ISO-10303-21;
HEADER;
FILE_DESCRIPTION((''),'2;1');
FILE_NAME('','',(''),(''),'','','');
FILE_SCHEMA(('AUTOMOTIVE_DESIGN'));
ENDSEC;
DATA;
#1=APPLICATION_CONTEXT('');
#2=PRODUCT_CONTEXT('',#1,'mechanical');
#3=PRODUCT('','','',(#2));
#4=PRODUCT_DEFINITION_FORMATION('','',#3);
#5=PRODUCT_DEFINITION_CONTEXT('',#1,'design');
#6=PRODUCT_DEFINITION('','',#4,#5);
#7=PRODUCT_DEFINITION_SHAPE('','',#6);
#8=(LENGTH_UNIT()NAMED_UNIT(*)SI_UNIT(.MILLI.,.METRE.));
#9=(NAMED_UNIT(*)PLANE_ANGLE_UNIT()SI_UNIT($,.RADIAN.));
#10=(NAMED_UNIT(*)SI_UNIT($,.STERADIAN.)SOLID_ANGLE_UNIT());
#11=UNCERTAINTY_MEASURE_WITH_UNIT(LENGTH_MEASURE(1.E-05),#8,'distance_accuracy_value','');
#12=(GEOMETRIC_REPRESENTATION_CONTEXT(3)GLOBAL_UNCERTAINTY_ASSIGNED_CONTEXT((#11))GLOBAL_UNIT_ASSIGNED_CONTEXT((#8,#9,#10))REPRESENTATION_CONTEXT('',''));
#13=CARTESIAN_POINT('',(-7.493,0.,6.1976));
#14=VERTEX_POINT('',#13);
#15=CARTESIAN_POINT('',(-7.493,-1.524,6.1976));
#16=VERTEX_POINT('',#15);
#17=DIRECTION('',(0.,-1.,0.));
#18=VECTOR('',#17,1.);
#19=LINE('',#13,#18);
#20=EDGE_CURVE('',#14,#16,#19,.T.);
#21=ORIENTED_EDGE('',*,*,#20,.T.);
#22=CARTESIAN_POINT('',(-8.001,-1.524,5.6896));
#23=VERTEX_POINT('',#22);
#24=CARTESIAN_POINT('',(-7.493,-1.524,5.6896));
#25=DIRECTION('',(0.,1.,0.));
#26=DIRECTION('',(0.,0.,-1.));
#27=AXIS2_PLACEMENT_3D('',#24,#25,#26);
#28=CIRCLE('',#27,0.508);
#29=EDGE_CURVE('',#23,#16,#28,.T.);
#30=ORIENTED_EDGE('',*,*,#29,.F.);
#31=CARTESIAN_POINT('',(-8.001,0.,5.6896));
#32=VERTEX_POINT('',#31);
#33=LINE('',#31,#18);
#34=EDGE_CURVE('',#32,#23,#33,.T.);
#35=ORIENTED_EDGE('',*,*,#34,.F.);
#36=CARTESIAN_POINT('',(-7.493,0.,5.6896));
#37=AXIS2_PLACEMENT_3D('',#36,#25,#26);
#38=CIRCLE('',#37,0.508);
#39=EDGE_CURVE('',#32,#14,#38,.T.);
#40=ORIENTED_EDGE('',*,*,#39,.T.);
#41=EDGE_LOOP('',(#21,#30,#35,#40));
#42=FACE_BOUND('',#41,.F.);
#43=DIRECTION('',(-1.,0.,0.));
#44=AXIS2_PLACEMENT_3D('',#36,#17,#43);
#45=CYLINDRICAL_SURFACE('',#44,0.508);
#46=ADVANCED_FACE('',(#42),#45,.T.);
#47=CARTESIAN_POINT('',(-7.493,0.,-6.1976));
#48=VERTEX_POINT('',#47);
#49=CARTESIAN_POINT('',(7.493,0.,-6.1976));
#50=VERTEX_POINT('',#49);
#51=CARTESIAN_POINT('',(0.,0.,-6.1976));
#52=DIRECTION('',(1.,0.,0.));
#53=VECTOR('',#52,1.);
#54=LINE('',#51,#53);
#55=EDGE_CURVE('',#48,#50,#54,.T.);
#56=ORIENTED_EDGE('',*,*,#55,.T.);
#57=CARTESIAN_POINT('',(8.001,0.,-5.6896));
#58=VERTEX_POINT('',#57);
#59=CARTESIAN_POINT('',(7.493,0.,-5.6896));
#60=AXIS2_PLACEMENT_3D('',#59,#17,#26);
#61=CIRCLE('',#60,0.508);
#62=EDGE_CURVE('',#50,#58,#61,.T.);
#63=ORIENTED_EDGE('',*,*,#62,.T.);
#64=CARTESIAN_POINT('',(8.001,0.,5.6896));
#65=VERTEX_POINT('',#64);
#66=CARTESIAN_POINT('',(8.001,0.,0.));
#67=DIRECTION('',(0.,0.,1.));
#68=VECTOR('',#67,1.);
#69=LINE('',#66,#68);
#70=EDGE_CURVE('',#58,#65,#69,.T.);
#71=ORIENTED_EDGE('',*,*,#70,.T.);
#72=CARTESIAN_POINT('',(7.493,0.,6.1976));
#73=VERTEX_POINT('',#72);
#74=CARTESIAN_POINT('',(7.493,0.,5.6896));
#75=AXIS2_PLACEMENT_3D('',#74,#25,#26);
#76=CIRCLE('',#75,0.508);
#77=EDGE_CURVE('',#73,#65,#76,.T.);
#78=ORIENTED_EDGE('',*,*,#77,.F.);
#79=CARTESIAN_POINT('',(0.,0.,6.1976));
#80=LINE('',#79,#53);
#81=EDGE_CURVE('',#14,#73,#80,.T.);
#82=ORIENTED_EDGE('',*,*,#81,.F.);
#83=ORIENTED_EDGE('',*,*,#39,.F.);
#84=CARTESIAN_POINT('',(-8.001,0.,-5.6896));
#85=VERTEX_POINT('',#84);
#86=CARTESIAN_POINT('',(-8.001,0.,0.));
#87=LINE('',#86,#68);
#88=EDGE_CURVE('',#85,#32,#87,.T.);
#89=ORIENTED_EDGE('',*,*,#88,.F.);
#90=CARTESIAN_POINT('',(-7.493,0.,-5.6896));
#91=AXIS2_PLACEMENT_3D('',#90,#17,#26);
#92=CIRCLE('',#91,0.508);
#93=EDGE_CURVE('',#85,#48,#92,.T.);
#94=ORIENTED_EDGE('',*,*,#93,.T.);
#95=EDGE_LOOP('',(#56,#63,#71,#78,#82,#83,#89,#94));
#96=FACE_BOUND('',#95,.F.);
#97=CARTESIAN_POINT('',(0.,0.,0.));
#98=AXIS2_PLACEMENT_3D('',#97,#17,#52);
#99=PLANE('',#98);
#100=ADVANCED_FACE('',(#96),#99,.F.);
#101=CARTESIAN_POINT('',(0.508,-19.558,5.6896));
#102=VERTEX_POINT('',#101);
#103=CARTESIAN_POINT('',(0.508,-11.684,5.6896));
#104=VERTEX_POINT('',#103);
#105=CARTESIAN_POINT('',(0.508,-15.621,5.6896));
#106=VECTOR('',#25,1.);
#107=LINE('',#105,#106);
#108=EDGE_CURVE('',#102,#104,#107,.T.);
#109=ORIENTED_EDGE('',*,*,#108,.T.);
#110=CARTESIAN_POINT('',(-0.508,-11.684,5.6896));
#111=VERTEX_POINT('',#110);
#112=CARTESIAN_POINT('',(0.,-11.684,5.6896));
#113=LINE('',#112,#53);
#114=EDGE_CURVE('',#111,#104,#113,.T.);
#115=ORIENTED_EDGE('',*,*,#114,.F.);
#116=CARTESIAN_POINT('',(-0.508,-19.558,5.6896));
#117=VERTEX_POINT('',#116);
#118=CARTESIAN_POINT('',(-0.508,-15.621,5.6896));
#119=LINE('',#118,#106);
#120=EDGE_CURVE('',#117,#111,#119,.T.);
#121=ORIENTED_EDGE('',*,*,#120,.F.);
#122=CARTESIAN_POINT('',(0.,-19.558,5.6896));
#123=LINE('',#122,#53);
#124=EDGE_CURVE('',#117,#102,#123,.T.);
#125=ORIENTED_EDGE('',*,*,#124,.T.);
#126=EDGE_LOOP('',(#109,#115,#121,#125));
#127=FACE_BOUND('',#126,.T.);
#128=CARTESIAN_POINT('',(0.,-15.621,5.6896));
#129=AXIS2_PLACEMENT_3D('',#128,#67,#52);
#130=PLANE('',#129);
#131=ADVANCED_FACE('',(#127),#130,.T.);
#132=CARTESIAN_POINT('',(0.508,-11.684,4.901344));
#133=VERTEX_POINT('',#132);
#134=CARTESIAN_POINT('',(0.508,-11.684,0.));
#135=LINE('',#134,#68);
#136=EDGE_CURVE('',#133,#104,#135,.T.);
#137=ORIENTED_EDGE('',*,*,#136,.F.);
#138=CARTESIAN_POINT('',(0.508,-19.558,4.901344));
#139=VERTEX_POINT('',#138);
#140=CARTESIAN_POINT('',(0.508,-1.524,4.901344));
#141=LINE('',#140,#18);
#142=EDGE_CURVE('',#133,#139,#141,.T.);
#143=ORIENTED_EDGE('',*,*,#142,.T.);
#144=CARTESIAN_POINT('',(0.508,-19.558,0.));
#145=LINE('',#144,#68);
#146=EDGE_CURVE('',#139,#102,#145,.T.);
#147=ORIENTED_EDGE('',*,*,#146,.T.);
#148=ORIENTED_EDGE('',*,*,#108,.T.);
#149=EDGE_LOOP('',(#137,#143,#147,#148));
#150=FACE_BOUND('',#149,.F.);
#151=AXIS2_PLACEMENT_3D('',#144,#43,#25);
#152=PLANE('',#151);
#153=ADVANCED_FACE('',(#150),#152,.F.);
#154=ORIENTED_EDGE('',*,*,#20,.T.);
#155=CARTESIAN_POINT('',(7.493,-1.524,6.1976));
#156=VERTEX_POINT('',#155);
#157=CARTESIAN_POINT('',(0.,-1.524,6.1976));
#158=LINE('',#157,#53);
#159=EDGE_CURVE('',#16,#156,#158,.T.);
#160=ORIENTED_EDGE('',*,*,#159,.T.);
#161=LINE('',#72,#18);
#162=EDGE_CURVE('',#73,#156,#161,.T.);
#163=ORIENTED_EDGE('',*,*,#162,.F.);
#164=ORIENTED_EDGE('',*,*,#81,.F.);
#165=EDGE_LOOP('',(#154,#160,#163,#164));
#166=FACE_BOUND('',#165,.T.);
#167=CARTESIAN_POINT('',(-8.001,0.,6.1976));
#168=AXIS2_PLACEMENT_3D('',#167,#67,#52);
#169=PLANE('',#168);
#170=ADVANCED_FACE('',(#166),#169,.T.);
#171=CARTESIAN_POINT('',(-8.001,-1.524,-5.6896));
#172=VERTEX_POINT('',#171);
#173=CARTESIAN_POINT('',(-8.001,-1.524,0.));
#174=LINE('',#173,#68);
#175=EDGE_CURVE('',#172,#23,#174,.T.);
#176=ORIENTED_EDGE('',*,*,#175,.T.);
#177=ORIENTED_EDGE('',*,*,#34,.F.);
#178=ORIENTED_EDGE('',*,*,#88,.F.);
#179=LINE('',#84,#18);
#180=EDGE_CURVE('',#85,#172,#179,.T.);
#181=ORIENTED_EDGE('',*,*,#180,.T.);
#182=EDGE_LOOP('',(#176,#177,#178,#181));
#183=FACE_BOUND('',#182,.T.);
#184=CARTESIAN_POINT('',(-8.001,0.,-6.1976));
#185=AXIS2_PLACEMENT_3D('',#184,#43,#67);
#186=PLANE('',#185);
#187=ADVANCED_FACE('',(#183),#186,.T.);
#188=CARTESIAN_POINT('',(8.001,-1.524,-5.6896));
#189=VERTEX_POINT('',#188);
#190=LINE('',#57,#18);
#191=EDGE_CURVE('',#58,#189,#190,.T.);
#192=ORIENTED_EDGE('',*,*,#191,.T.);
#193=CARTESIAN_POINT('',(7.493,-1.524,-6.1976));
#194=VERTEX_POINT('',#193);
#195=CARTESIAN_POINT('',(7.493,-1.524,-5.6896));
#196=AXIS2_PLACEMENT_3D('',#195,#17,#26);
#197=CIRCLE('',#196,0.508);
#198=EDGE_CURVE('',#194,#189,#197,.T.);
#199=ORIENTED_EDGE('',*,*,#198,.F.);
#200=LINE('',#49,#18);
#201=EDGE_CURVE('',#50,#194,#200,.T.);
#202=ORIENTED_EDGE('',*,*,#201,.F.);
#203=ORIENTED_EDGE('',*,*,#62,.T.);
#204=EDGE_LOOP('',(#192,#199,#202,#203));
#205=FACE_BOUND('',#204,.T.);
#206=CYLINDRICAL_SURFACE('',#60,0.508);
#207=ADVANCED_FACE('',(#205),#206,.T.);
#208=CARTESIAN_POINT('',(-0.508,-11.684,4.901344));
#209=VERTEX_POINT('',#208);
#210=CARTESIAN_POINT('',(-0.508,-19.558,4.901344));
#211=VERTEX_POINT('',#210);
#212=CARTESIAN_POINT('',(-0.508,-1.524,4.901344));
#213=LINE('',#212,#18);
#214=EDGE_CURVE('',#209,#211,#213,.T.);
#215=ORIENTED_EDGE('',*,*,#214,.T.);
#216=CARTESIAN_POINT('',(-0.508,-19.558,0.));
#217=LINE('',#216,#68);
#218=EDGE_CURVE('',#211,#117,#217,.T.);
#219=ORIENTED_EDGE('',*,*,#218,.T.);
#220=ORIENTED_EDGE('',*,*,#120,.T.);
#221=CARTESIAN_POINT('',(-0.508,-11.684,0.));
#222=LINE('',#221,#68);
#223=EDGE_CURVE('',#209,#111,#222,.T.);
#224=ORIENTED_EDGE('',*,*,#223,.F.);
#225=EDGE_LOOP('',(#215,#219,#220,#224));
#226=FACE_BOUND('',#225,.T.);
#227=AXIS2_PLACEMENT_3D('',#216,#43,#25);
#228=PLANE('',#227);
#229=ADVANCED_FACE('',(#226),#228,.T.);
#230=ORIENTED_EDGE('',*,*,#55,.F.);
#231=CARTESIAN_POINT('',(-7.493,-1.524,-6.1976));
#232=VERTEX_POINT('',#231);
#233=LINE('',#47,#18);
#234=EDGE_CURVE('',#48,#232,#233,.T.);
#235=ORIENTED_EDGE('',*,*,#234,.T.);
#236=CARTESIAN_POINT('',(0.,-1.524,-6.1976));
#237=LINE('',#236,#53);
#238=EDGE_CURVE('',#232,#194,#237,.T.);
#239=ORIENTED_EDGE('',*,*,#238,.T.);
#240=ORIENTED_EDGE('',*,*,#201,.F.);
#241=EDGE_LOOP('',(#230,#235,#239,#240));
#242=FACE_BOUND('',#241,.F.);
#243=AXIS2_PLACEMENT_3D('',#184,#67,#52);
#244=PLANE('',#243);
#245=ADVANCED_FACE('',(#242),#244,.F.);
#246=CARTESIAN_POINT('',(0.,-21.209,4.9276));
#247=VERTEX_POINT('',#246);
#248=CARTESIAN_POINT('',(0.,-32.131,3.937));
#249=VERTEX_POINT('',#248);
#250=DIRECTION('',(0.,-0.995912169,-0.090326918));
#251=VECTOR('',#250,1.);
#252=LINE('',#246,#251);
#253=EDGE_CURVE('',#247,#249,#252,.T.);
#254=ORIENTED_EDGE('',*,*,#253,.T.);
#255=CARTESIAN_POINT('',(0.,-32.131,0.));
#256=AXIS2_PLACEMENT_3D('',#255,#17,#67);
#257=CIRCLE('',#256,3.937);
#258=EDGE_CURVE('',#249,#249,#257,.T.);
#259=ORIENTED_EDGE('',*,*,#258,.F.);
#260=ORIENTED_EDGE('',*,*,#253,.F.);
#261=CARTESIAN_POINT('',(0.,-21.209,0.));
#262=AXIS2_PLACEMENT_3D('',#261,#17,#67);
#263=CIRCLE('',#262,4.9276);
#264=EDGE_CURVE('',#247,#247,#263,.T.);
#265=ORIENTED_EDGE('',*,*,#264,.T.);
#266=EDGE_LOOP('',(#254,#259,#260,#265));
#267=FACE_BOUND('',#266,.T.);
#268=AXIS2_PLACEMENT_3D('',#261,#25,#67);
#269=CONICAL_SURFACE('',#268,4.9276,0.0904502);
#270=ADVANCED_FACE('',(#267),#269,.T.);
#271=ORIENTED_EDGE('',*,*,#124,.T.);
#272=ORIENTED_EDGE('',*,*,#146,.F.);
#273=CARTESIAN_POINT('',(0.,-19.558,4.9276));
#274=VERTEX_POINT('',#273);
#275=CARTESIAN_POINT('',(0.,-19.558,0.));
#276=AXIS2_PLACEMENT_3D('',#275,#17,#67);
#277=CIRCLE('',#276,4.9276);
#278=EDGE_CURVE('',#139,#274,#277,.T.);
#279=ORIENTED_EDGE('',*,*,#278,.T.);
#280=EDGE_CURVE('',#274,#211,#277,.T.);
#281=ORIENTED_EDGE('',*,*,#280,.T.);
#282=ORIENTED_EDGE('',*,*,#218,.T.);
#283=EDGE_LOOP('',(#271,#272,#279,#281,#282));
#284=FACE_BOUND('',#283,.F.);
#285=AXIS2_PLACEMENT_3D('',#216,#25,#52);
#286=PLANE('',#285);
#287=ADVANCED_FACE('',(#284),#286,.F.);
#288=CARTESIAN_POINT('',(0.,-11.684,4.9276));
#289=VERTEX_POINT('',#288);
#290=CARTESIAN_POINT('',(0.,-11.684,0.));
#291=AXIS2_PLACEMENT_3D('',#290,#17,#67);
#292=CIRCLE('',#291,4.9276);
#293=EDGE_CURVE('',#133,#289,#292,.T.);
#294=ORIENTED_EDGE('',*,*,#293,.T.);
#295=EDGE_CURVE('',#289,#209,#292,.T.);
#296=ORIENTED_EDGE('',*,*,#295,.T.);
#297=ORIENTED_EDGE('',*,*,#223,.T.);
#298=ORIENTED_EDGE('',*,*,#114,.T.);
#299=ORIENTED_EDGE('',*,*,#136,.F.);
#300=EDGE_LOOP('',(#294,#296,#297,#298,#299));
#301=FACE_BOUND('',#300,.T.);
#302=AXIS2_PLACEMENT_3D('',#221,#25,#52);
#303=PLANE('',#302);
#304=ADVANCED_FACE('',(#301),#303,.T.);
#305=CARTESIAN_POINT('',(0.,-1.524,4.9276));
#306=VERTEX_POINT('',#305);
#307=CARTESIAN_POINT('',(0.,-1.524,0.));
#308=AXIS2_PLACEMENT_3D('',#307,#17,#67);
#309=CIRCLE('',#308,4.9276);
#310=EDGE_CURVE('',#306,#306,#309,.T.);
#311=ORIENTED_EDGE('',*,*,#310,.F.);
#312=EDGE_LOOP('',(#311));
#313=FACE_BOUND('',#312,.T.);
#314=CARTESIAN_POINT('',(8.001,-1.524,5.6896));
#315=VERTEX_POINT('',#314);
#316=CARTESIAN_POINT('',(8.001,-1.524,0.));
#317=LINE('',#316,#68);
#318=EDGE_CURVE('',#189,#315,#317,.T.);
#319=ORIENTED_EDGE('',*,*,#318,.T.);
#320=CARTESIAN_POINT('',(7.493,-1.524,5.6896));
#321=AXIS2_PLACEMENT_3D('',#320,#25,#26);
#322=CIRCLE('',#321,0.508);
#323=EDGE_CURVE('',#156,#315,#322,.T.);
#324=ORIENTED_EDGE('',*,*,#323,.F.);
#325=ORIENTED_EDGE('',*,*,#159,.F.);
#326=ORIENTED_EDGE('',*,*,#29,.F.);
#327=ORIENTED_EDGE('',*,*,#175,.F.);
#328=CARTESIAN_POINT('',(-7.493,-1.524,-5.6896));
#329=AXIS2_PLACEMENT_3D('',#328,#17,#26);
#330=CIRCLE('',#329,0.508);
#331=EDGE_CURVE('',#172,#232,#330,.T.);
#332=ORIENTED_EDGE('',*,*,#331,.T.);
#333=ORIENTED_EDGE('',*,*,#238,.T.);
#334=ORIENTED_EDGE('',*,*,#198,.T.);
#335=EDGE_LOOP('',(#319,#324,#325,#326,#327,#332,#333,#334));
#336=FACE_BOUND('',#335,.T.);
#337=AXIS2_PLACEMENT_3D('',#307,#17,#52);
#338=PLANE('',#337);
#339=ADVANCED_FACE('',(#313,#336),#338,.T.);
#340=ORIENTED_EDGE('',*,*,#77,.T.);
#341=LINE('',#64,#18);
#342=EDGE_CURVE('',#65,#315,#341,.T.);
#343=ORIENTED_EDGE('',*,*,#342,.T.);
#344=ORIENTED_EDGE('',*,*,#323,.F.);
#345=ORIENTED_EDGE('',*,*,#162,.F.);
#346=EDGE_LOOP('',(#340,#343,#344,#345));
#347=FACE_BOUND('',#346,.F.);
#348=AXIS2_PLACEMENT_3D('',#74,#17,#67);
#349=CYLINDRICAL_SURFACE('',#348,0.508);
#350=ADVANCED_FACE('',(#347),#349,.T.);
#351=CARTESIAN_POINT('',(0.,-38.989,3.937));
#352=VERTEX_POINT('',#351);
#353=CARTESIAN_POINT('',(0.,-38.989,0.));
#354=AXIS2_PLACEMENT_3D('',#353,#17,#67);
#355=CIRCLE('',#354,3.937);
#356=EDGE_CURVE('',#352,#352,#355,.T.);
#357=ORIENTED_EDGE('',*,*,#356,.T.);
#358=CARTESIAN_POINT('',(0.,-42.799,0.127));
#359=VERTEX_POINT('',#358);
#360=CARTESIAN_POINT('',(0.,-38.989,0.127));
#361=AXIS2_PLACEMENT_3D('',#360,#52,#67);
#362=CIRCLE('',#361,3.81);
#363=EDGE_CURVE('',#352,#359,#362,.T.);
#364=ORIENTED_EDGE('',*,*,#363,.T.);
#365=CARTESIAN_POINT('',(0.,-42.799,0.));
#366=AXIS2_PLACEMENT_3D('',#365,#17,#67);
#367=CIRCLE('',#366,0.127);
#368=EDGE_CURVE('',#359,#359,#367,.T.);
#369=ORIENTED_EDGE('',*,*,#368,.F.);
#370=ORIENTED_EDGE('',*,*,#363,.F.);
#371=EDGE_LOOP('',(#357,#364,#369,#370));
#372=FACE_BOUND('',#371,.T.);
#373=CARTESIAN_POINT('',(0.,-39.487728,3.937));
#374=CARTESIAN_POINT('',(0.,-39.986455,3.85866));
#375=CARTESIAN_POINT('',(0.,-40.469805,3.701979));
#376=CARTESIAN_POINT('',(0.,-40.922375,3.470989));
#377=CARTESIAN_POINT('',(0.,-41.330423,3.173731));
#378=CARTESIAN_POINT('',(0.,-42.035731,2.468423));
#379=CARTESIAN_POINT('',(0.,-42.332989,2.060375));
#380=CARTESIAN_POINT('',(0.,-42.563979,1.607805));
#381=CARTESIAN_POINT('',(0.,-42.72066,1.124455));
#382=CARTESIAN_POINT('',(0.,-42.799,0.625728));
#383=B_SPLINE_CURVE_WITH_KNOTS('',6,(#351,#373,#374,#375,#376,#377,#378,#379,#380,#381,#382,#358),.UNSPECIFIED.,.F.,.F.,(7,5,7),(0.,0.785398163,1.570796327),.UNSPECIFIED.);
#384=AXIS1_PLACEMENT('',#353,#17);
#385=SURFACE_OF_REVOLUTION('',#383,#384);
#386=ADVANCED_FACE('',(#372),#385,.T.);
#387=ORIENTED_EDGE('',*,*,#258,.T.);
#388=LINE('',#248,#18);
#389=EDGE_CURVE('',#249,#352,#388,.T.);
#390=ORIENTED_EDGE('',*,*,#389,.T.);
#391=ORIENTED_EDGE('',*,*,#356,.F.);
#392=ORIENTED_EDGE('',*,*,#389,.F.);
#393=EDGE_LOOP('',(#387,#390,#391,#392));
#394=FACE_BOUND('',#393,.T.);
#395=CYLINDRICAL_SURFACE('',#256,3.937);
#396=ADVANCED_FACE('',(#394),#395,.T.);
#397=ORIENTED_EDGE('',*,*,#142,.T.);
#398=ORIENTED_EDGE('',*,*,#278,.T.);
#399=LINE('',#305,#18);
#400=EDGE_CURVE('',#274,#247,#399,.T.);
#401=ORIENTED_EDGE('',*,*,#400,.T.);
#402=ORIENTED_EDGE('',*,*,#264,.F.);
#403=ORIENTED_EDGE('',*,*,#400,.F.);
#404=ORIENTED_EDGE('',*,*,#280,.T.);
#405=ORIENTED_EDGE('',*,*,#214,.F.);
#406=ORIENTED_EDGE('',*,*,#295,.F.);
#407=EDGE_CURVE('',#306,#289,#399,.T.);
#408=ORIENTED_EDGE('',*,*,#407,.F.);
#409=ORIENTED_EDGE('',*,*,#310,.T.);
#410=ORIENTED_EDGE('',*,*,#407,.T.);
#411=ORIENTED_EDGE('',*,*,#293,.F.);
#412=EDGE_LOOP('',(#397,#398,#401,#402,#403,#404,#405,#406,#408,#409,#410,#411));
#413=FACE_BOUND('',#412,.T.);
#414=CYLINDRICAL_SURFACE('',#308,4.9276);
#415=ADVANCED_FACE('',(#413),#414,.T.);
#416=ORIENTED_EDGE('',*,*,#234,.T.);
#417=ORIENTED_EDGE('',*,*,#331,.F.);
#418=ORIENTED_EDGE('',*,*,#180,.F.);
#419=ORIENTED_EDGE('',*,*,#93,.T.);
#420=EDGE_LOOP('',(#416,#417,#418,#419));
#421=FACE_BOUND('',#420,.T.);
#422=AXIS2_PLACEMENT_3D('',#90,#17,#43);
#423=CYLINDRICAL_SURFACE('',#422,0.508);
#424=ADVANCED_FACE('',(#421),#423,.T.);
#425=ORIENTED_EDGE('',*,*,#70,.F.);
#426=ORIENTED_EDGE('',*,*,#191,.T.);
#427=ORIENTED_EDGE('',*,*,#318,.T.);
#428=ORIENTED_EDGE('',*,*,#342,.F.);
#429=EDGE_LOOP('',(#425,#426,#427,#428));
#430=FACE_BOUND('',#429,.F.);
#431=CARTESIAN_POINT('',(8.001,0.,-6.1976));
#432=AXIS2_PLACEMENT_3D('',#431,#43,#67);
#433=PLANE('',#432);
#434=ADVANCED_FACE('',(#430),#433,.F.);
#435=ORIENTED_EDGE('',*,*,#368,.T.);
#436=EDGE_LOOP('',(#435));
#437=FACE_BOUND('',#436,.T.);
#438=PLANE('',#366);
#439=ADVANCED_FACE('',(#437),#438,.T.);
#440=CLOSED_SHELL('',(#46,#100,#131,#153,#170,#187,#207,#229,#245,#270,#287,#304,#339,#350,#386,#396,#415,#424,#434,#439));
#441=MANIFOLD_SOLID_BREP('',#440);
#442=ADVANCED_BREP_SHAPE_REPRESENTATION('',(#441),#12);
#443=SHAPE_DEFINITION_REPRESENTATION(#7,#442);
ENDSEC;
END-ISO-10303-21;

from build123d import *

# Parameters (mm, degrees)
F3_W     = 16.002
F3_H     = 12.3952
F4_DEPTH = 1.524
F1_R     = 3.81
F6_R     = 0.508
F7_W     = 1.016
F7_H     = 7.874
F2_DEPTH = 5.6896


with BuildPart() as f4:
    # F3 (on Front) → F4 (new body)
    with BuildSketch(Plane.XZ):
        Rectangle(F3_W, F3_H)
    extrude(amount=F4_DEPTH)

    # F0 (on Right) → F5 (revolve)
    with BuildSketch(Plane.YZ):
        Polygon((-42.799, 0), (-1.524, 0), (-1.524, 4.9276), (-21.209, 4.9276), (-32.131, 3.937), (-42.799, 3.937), align=None)
    revolve(axis=Axis((0, -21.3995, 0), (0, -1, 0)))

    # F1
    f1_edges = [f4.edges().sort_by_distance(p)[0] for p in [
        (0, -42.799, -3.937),
    ]]
    fillet(f1_edges, radius=F1_R)

    # F6
    f6_edges = [f4.edges().sort_by_distance(p)[0] for p in [
        (8.001, -0.762, 6.1976),
        (-8.001, -0.762, 6.1976),
        (-8.001, -0.762, -6.1976),
        (8.001, -0.762, -6.1976),
    ]]
    fillet(f6_edges, radius=F6_R)

    # F7 (on Top) → F2 (join)
    with BuildSketch(Plane.XY):
        with Locations((0, -15.621)):
            Rectangle(F7_W, F7_H)
    extrude(amount=F2_DEPTH)


solid = f4.part
